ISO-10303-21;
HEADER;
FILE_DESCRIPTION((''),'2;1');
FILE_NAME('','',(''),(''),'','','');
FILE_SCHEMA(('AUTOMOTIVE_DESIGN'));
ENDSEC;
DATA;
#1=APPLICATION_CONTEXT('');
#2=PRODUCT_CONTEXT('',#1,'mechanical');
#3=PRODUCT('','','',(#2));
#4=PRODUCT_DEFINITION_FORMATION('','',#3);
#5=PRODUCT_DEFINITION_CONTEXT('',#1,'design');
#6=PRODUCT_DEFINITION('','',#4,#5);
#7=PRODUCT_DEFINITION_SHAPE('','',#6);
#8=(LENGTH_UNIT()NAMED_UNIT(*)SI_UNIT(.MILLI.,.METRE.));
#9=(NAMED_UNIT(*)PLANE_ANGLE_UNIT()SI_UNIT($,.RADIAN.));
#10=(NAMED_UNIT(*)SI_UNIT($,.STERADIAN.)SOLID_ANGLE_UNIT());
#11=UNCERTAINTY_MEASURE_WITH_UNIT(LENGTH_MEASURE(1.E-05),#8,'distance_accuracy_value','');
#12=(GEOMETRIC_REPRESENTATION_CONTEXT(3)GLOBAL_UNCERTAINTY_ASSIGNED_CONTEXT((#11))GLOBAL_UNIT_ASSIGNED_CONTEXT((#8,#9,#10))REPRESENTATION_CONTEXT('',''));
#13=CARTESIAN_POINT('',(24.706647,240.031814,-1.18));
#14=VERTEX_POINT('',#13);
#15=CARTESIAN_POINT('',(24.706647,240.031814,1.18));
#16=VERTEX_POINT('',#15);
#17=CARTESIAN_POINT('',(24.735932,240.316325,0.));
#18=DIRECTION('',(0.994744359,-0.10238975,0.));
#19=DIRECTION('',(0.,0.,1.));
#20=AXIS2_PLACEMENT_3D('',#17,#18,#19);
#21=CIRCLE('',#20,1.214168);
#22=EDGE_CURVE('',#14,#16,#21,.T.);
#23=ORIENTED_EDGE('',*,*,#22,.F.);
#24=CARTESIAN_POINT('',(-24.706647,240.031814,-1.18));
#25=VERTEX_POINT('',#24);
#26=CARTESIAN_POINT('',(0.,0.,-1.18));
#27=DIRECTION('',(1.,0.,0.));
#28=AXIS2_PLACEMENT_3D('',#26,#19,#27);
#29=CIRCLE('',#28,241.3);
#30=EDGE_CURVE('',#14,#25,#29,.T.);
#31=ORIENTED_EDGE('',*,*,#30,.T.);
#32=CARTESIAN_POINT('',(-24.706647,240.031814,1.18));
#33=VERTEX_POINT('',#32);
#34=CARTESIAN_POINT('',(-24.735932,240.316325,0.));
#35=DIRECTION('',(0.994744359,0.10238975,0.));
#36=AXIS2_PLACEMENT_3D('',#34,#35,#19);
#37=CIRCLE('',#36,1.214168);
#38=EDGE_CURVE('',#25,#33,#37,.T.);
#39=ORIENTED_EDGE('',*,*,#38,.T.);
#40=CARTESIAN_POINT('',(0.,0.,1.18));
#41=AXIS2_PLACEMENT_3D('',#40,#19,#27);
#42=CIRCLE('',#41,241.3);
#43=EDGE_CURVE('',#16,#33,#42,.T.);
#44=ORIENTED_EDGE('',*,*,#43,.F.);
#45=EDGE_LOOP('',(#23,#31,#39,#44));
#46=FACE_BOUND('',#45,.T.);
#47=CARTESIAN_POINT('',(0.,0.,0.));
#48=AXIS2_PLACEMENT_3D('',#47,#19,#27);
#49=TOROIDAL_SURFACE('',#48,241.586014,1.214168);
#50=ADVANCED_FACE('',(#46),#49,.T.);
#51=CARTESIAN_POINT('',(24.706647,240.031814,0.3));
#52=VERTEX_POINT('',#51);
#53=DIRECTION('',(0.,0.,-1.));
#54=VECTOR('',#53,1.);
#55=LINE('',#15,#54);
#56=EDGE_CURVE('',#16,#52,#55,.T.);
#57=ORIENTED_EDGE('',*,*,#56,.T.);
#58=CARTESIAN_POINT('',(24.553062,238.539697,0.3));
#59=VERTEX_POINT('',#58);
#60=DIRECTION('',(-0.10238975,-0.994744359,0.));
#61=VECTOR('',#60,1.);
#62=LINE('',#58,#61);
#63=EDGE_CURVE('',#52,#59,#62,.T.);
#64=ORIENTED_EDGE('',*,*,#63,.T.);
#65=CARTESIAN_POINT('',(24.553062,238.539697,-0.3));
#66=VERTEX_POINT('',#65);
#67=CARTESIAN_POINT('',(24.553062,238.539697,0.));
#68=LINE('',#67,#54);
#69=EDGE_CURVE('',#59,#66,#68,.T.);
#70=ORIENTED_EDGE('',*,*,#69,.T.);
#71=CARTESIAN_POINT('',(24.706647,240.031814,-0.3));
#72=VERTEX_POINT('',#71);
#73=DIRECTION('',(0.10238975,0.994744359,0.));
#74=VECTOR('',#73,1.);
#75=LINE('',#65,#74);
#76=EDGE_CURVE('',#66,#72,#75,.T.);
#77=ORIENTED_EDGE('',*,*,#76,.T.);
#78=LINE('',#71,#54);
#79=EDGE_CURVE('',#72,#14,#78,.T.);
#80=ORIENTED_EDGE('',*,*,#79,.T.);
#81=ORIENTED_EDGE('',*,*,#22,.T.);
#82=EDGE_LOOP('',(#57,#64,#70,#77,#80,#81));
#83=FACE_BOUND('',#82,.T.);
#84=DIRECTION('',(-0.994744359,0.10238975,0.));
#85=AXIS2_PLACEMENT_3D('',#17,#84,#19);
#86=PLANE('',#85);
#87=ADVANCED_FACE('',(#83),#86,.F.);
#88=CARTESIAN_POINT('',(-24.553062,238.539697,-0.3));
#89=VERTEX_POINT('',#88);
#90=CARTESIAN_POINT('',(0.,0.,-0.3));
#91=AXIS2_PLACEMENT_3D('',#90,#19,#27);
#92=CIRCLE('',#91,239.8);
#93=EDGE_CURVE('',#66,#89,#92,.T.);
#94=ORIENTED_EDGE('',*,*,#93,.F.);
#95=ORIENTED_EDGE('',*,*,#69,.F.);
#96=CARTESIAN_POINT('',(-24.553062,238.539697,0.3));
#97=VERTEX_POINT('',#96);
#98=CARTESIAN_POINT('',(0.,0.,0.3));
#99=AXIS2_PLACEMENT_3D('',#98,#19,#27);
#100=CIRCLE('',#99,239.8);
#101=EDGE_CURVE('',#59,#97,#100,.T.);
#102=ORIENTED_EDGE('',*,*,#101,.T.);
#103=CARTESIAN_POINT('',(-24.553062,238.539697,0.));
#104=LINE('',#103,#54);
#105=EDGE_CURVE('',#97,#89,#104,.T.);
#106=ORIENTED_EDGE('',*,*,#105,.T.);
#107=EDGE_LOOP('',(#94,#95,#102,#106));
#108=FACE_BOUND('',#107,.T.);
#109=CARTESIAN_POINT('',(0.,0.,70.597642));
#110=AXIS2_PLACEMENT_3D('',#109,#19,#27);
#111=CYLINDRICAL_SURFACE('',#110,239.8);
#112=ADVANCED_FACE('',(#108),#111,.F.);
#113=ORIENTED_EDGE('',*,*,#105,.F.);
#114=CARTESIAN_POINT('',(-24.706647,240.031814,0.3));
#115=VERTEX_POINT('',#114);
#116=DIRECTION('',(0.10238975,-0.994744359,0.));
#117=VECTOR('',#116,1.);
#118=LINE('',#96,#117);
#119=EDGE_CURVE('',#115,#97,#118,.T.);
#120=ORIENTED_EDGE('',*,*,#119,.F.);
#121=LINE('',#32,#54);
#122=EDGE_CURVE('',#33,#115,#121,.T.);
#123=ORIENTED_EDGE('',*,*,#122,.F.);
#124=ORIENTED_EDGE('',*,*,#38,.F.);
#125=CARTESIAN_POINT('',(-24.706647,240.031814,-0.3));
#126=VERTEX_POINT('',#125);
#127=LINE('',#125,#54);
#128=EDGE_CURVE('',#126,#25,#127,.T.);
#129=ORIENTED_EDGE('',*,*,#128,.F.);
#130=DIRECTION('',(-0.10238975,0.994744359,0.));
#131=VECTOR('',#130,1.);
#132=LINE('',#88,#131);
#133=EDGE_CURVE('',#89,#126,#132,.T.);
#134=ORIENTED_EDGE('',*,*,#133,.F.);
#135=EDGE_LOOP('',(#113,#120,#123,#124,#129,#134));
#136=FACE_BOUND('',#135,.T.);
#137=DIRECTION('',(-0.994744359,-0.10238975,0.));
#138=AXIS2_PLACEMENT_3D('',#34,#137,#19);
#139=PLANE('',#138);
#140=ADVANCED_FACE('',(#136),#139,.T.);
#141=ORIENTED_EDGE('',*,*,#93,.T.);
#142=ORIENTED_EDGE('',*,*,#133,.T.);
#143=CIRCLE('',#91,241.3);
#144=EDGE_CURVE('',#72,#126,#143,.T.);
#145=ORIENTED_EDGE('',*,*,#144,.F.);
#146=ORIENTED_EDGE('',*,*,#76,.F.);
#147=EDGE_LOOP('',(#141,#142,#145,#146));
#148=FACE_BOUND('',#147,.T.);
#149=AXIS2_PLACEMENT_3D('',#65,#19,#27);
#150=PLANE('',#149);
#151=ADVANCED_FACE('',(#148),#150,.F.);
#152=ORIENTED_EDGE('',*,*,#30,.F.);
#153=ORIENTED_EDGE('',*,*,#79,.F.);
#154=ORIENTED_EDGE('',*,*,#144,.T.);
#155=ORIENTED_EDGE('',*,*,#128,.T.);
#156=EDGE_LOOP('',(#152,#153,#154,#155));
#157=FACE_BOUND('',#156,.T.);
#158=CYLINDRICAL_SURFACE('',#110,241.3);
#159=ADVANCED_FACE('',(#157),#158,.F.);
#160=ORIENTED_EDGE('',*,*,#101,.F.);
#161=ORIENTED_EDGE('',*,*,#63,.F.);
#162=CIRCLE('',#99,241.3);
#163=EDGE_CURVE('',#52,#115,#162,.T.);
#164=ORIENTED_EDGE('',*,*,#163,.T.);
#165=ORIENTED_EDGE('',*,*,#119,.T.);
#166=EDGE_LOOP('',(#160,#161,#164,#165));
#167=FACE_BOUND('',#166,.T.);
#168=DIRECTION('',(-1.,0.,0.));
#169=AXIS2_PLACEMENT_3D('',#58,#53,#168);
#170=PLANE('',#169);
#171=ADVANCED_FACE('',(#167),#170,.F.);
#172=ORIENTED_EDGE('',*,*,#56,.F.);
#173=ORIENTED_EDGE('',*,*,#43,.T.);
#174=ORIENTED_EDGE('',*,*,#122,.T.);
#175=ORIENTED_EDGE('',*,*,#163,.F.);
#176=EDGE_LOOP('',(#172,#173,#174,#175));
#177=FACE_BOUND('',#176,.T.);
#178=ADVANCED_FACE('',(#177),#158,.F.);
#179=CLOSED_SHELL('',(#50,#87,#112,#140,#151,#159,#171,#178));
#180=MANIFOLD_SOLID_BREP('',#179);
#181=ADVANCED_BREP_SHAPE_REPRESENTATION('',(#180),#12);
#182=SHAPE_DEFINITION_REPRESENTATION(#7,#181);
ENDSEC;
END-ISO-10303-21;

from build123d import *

# Parameters (mm, degrees)
REVOLVE1_ANGLE           = 5.876799589
REVOLVE1_OTHER_WAY_ANGLE = 5.876799589


with BuildPart() as part:
    # Sketch2 → Revolve1 (revolve)
    with BuildSketch(Plane(origin=(0, 0, 0), x_dir=(0, 0, -1), z_dir=(1, 0, 0))):
        with BuildLine():
            Line((0, 239.8), (0.3, 239.8))
            Line((0.3, 239.8), (0.3, 241.3))
            Line((0.3, 241.3), (1.18, 241.3))
            ThreePointArc((1.18, 241.3), (0, 242.800182019), (-1.18, 241.3))
            Line((-1.18, 241.3), (-0.3, 241.3))
            Line((-0.3, 241.3), (-0.3, 239.8))
            Line((-0.3, 239.8), (0, 239.8))
        make_face()
    revolve(axis=Axis((0, 0, 70.597641597), (0, 0, -1)), revolution_arc=REVOLVE1_ANGLE)

    # Sketch2 → Revolve1 other way (revolve)
    with BuildSketch(Plane(origin=(0, 0, 0), x_dir=(0, 0, -1), z_dir=(1, 0, 0))):
        with BuildLine():
            Line((0, 239.8), (0.3, 239.8))
            Line((0.3, 239.8), (0.3, 241.3))
            Line((0.3, 241.3), (1.18, 241.3))
            ThreePointArc((1.18, 241.3), (0, 242.800182019), (-1.18, 241.3))
            Line((-1.18, 241.3), (-0.3, 241.3))
            Line((-0.3, 241.3), (-0.3, 239.8))
            Line((-0.3, 239.8), (0, 239.8))
        make_face()
    revolve(axis=Axis((0, 0, 70.597641597), (0, 0, 1)), revolution_arc=REVOLVE1_OTHER_WAY_ANGLE)


solid = part.part
